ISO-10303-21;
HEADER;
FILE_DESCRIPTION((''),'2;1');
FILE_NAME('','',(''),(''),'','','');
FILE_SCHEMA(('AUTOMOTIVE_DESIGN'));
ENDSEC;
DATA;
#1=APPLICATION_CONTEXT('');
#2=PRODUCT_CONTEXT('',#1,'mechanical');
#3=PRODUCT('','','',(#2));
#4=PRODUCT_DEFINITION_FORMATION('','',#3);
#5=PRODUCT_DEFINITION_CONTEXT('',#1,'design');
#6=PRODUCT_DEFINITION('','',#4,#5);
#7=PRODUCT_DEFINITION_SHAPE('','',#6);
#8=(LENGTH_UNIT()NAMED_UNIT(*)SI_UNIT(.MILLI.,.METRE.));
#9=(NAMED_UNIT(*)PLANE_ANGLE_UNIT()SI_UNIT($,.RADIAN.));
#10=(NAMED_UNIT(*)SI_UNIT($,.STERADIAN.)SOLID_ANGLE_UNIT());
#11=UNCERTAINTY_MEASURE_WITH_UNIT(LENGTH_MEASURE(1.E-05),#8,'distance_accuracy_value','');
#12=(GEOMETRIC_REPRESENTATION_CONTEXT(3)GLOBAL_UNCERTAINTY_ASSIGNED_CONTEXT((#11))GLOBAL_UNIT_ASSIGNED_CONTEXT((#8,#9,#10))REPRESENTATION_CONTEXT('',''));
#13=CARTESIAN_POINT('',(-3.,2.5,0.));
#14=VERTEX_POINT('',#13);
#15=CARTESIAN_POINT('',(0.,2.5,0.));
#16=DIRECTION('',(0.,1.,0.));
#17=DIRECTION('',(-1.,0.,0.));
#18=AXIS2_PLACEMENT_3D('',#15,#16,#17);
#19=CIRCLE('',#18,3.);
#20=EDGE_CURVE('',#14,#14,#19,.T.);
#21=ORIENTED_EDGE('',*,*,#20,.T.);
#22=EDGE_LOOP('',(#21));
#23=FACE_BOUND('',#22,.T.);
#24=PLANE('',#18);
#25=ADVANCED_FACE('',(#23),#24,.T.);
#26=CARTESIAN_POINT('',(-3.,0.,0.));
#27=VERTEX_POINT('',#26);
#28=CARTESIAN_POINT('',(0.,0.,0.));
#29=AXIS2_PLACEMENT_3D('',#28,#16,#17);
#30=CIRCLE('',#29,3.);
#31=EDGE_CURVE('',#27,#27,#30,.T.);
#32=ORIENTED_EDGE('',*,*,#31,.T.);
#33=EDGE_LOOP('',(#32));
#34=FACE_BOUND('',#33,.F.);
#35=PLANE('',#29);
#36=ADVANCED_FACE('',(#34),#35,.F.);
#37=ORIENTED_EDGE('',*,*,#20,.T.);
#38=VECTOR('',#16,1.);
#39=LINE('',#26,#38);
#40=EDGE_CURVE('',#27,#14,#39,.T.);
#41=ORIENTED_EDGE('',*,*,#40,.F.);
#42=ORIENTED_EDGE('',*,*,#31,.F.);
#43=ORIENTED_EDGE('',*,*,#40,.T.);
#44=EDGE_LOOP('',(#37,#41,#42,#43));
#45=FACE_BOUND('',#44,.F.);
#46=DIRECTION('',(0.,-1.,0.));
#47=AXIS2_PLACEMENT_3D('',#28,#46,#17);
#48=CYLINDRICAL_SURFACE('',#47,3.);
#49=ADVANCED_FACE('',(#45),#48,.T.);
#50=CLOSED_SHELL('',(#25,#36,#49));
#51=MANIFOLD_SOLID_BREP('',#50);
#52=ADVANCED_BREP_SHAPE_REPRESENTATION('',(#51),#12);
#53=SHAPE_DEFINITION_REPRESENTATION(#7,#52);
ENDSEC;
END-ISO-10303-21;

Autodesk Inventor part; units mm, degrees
ref_plane "YZ Plane" through (0, 0, 0) normal (1, 0, 0) x (0, 1, 0)
ref_plane "XZ Plane" through (0, 0, 0) normal (0, 1, 0) x (-1, 0, 0)
ref_plane "XY Plane" through (0, 0, 0) normal (0, 0, 1) x (1, 0, 0)
sketch "Sketch1" plane through (0, 0, 0) normal (0, 1, 0) x (-1, 0, 0)
  circle A0 centre (0, 0) radius 3
  dimension "d0" = 6
extrude "Extrusion1" add sketch "Sketch1" along normal blind 2.5
properties part number "magnet" material "Iron, Gray"
